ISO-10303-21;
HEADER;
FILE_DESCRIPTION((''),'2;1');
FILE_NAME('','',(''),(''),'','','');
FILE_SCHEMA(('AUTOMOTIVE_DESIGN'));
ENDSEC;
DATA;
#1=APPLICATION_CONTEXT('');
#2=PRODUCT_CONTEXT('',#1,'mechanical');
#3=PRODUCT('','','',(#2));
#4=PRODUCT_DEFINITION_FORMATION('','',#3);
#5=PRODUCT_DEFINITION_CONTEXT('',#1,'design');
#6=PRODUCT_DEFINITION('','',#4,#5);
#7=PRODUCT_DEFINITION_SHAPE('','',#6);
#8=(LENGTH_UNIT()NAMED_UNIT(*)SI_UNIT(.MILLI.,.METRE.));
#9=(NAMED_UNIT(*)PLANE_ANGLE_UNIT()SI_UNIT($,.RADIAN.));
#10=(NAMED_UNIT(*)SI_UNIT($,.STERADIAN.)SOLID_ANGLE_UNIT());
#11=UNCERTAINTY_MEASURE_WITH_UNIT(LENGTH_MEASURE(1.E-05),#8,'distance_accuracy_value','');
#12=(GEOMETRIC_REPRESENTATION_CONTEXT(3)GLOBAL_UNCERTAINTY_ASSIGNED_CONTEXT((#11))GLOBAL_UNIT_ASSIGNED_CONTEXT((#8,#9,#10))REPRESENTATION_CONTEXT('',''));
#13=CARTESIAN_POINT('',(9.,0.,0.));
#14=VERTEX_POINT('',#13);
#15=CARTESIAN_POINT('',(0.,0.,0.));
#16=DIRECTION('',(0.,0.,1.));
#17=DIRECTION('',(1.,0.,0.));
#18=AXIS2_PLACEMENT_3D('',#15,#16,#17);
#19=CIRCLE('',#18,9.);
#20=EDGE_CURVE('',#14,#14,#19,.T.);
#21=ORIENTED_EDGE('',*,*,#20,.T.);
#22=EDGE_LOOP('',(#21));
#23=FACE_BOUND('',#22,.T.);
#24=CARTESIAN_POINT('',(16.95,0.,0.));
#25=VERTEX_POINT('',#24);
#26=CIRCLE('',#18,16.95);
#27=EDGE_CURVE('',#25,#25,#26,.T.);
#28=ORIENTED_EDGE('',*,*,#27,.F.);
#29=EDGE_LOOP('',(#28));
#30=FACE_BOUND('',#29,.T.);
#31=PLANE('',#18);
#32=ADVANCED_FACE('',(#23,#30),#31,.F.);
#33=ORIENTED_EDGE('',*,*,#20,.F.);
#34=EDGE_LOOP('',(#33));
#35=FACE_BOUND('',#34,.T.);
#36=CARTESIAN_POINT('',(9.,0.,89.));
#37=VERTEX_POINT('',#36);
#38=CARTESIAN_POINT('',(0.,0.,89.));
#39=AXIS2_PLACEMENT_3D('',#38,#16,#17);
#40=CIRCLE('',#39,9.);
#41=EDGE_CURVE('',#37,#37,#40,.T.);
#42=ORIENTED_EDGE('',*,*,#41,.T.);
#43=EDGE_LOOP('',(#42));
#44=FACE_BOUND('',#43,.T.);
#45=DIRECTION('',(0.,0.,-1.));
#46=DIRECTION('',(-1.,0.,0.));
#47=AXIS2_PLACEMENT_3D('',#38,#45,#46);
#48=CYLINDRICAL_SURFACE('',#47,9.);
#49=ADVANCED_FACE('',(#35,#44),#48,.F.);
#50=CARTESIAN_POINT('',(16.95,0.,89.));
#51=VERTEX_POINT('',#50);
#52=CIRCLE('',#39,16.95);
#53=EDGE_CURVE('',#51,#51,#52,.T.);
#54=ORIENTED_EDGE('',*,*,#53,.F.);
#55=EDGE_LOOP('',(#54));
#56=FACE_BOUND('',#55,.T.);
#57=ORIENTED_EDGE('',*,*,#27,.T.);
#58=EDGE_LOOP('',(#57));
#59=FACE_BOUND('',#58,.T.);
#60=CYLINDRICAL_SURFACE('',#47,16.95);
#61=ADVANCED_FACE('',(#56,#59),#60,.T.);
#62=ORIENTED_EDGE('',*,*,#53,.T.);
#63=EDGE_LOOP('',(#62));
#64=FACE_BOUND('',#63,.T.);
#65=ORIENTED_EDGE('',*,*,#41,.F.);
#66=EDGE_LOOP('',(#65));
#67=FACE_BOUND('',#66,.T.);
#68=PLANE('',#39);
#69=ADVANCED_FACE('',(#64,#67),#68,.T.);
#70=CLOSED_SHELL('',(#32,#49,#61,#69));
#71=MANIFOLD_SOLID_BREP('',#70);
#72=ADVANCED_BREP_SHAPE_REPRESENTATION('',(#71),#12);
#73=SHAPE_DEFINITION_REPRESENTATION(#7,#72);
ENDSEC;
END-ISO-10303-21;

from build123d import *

# Parameters (mm, degrees)
ESQUISSE1_R        = 16.95
ESQUISSE1_R_2      = 9
BOSS_EXTRU_1_DEPTH = 89


with BuildPart() as part:
    # Esquisse1 → Boss.-Extru.1 (new body)
    with BuildSketch(Plane.XY):
        Circle(ESQUISSE1_R)
        Circle(ESQUISSE1_R_2, mode=Mode.SUBTRACT)
    extrude(amount=BOSS_EXTRU_1_DEPTH)


solid = part.part
